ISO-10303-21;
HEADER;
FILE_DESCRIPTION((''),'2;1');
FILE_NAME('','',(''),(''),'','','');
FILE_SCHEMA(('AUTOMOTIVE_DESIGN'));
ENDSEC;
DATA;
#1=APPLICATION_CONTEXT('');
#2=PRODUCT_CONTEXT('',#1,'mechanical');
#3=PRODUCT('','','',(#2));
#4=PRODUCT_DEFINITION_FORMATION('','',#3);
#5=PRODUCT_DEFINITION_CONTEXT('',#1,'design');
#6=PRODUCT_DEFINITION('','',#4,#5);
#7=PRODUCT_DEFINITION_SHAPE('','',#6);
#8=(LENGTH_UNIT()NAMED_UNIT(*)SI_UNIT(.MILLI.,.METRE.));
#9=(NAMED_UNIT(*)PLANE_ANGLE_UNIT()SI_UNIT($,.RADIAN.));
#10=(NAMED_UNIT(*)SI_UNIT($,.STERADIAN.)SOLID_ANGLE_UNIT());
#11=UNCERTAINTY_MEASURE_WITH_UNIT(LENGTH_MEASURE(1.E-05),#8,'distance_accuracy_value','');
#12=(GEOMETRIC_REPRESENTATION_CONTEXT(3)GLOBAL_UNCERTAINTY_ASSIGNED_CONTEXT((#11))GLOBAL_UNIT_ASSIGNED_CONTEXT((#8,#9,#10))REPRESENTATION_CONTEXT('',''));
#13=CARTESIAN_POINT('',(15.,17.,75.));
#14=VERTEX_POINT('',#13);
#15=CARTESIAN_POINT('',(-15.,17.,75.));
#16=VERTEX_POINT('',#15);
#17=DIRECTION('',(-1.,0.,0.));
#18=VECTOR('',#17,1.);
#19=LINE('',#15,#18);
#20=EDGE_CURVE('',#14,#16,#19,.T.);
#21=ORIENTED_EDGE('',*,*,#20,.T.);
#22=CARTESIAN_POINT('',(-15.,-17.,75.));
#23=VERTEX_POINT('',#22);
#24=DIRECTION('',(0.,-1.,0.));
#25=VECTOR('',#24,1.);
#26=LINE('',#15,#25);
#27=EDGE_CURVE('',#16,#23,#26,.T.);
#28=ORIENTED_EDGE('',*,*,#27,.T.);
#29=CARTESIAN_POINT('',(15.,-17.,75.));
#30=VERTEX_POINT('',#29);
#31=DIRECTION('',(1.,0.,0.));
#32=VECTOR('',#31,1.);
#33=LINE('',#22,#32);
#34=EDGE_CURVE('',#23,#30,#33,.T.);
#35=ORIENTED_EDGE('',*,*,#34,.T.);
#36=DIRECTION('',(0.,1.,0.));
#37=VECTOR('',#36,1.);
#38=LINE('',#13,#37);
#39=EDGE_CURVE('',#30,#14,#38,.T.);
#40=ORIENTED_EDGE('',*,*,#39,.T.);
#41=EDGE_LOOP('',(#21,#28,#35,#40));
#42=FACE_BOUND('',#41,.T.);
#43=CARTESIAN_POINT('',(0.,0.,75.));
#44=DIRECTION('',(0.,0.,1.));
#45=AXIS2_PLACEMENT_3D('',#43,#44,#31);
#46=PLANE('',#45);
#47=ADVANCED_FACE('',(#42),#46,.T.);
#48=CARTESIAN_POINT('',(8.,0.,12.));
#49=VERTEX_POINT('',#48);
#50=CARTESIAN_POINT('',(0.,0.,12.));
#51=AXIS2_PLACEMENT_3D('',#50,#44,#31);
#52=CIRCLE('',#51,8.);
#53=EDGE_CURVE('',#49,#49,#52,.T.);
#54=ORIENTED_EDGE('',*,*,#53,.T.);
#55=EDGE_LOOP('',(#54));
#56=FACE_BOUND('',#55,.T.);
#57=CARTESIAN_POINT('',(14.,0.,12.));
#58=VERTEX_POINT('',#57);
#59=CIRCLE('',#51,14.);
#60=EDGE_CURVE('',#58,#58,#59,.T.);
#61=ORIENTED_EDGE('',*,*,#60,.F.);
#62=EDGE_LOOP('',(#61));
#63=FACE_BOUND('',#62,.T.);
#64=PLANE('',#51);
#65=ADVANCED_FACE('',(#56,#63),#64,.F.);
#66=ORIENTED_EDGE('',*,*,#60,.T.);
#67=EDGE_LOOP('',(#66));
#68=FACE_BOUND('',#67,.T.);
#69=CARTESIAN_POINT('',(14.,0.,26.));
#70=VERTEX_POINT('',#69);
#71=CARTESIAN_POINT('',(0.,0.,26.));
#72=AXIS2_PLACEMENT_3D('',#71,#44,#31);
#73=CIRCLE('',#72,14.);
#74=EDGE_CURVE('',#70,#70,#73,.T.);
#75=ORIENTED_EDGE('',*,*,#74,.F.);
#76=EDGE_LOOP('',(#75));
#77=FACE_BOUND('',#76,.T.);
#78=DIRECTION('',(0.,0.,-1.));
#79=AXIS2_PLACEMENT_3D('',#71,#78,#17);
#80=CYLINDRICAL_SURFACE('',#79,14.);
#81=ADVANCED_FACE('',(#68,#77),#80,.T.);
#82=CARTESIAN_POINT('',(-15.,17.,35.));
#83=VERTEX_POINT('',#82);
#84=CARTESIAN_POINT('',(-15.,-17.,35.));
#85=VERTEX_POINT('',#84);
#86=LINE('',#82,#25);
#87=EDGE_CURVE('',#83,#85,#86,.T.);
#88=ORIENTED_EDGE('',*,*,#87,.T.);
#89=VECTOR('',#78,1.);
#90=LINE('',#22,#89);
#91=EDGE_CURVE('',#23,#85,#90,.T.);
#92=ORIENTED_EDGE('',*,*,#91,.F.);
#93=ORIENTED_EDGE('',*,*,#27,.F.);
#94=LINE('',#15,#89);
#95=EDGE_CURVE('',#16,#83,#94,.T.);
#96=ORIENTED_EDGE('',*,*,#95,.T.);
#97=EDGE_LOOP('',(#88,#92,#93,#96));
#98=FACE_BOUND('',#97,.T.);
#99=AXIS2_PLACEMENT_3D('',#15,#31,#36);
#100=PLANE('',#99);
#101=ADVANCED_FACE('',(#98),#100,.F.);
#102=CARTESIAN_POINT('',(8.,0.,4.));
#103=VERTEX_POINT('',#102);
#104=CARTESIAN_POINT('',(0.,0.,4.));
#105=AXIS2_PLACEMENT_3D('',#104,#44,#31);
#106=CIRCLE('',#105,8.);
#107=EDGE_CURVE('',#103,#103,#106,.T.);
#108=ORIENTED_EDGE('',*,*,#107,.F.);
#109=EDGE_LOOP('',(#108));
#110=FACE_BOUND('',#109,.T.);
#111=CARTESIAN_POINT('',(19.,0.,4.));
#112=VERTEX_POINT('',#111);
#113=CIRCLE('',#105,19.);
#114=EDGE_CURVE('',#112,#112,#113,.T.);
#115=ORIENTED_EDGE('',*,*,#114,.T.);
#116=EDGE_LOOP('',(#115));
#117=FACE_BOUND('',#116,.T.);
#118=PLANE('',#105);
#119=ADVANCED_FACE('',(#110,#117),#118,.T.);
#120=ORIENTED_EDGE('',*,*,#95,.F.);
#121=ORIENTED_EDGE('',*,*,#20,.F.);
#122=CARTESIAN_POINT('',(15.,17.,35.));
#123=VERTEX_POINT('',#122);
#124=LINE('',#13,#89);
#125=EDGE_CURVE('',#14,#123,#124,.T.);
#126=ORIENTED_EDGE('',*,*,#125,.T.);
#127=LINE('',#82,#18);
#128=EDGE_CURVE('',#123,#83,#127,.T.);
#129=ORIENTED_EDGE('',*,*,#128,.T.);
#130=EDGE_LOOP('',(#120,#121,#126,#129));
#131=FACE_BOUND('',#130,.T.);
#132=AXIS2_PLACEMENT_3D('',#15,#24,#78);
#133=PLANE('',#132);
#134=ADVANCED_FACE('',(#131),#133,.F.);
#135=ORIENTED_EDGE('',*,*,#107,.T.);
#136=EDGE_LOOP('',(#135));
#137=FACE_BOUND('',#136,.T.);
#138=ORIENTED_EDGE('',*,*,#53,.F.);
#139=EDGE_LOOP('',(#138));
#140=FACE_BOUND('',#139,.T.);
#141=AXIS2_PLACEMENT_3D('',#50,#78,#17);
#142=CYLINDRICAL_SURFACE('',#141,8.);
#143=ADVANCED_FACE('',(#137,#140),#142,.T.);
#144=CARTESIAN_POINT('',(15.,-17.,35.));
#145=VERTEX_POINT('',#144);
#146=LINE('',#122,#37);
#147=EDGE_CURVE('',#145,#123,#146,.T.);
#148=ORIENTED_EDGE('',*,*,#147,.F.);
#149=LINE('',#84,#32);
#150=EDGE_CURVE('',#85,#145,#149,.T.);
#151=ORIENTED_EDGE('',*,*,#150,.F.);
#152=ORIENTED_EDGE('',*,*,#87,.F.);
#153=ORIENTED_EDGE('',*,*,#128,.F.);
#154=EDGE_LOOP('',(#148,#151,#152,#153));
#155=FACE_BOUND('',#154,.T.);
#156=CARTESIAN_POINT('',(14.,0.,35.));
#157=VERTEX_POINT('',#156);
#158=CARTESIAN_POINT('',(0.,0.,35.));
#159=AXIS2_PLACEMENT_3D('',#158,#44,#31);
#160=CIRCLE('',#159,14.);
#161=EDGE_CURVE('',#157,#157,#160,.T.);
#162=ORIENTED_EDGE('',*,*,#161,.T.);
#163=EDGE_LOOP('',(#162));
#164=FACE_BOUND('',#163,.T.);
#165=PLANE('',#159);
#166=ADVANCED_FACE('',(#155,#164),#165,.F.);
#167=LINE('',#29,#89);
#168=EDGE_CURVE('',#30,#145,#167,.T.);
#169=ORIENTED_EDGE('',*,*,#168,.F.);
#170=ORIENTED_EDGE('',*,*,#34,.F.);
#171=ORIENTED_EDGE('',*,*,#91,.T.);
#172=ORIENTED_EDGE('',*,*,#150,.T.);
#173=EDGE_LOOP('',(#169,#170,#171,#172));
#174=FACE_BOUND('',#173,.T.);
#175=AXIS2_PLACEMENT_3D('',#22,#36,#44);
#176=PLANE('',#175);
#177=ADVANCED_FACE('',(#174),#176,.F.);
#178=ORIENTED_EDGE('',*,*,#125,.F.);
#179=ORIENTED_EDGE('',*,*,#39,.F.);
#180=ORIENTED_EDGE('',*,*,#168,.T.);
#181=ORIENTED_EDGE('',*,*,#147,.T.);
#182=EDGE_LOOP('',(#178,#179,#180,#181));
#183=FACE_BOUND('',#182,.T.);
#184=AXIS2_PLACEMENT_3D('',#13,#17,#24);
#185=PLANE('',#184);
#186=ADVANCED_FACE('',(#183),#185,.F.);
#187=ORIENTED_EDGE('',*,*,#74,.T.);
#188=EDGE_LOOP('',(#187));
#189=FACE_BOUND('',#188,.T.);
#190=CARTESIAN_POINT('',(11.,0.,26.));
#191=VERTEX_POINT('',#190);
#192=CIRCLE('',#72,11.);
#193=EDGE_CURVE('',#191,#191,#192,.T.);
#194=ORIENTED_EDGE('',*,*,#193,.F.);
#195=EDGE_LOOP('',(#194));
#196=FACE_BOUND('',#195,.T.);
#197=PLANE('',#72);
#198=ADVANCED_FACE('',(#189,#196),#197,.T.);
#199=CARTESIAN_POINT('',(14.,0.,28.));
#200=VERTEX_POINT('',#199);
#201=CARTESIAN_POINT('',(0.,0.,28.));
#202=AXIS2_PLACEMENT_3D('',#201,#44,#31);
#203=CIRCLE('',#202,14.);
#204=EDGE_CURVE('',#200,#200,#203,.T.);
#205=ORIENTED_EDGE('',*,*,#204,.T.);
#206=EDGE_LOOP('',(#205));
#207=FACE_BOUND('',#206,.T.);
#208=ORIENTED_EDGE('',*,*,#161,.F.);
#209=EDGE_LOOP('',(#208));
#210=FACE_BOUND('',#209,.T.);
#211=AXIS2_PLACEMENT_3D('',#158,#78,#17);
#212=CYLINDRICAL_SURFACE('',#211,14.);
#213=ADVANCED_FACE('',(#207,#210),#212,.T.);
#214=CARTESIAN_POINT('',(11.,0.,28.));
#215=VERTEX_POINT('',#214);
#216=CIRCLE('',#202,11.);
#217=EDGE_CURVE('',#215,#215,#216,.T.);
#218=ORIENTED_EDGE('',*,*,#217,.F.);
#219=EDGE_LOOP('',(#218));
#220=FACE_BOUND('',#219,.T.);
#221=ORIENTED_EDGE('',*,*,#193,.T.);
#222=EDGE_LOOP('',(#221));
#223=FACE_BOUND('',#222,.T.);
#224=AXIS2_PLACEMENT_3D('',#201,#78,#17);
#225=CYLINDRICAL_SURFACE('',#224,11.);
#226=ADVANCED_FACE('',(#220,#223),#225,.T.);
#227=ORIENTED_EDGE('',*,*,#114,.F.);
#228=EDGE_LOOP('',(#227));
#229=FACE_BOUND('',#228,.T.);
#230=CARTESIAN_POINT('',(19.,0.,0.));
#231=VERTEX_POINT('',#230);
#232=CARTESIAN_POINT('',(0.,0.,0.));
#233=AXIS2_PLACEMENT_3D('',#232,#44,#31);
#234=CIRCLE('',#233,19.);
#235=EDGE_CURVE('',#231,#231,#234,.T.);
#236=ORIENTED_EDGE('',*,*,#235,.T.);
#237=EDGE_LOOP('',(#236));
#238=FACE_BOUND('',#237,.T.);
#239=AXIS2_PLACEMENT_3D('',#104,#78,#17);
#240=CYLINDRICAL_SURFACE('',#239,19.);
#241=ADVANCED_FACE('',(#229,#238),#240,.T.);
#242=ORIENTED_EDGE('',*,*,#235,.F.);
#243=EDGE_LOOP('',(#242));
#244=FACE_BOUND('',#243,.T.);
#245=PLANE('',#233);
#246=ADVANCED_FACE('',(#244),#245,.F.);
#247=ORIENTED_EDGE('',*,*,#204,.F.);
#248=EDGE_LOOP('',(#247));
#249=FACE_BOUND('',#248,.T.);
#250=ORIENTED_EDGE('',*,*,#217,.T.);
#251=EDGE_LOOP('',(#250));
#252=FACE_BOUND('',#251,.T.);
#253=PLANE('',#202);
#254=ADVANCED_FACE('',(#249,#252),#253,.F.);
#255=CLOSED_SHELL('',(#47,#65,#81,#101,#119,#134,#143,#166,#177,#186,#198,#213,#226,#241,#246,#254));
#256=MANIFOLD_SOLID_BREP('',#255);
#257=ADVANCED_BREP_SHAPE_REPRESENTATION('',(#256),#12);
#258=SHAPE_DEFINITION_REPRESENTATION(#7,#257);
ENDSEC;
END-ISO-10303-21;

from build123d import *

# Parameters (mm, degrees)
SKETCH_1_R      = 19
EXTRUDE_1_DEPTH = 4
SKETCH_2_R      = 8
EXTRUDE_2_DEPTH = 8
SKETCH_3_R      = 14
EXTRUDE_3_DEPTH = 14
SKETCH_4_R      = 11
EXTRUDE_4_DEPTH = 2
SKETCH_5_R      = 14
EXTRUDE_5_DEPTH = 7
SKETCH_6_W      = 30
SKETCH_6_H      = 34
EXTRUDE_6_DEPTH = 40


with BuildPart() as part:
    # 草图1 → 凸台-拉伸1 (new body)
    with BuildSketch(Plane.XY):
        Circle(SKETCH_1_R)
    extrude(amount=EXTRUDE_1_DEPTH)

    # 草图2 → 凸台-拉伸2 (add)
    with BuildSketch(Plane.XY.offset(4)):
        Circle(SKETCH_2_R)
    extrude(amount=EXTRUDE_2_DEPTH)

    # 草图3 → 凸台-拉伸3 (add)
    with BuildSketch(Plane.XY.offset(12)):
        Circle(SKETCH_3_R)
    extrude(amount=EXTRUDE_3_DEPTH)

    # 草图4 → 凸台-拉伸4 (add)
    with BuildSketch(Plane.XY.offset(26)):
        Circle(SKETCH_4_R)
    extrude(amount=EXTRUDE_4_DEPTH)

    # 草图5 → 凸台-拉伸5 (add)
    with BuildSketch(Plane.XY.offset(28)):
        Circle(SKETCH_5_R)
    extrude(amount=EXTRUDE_5_DEPTH)

    # 草图6 → 凸台-拉伸6 (add)
    with BuildSketch(Plane.XY.offset(35)):
        Rectangle(SKETCH_6_W, SKETCH_6_H)
    extrude(amount=EXTRUDE_6_DEPTH)


solid = part.part
